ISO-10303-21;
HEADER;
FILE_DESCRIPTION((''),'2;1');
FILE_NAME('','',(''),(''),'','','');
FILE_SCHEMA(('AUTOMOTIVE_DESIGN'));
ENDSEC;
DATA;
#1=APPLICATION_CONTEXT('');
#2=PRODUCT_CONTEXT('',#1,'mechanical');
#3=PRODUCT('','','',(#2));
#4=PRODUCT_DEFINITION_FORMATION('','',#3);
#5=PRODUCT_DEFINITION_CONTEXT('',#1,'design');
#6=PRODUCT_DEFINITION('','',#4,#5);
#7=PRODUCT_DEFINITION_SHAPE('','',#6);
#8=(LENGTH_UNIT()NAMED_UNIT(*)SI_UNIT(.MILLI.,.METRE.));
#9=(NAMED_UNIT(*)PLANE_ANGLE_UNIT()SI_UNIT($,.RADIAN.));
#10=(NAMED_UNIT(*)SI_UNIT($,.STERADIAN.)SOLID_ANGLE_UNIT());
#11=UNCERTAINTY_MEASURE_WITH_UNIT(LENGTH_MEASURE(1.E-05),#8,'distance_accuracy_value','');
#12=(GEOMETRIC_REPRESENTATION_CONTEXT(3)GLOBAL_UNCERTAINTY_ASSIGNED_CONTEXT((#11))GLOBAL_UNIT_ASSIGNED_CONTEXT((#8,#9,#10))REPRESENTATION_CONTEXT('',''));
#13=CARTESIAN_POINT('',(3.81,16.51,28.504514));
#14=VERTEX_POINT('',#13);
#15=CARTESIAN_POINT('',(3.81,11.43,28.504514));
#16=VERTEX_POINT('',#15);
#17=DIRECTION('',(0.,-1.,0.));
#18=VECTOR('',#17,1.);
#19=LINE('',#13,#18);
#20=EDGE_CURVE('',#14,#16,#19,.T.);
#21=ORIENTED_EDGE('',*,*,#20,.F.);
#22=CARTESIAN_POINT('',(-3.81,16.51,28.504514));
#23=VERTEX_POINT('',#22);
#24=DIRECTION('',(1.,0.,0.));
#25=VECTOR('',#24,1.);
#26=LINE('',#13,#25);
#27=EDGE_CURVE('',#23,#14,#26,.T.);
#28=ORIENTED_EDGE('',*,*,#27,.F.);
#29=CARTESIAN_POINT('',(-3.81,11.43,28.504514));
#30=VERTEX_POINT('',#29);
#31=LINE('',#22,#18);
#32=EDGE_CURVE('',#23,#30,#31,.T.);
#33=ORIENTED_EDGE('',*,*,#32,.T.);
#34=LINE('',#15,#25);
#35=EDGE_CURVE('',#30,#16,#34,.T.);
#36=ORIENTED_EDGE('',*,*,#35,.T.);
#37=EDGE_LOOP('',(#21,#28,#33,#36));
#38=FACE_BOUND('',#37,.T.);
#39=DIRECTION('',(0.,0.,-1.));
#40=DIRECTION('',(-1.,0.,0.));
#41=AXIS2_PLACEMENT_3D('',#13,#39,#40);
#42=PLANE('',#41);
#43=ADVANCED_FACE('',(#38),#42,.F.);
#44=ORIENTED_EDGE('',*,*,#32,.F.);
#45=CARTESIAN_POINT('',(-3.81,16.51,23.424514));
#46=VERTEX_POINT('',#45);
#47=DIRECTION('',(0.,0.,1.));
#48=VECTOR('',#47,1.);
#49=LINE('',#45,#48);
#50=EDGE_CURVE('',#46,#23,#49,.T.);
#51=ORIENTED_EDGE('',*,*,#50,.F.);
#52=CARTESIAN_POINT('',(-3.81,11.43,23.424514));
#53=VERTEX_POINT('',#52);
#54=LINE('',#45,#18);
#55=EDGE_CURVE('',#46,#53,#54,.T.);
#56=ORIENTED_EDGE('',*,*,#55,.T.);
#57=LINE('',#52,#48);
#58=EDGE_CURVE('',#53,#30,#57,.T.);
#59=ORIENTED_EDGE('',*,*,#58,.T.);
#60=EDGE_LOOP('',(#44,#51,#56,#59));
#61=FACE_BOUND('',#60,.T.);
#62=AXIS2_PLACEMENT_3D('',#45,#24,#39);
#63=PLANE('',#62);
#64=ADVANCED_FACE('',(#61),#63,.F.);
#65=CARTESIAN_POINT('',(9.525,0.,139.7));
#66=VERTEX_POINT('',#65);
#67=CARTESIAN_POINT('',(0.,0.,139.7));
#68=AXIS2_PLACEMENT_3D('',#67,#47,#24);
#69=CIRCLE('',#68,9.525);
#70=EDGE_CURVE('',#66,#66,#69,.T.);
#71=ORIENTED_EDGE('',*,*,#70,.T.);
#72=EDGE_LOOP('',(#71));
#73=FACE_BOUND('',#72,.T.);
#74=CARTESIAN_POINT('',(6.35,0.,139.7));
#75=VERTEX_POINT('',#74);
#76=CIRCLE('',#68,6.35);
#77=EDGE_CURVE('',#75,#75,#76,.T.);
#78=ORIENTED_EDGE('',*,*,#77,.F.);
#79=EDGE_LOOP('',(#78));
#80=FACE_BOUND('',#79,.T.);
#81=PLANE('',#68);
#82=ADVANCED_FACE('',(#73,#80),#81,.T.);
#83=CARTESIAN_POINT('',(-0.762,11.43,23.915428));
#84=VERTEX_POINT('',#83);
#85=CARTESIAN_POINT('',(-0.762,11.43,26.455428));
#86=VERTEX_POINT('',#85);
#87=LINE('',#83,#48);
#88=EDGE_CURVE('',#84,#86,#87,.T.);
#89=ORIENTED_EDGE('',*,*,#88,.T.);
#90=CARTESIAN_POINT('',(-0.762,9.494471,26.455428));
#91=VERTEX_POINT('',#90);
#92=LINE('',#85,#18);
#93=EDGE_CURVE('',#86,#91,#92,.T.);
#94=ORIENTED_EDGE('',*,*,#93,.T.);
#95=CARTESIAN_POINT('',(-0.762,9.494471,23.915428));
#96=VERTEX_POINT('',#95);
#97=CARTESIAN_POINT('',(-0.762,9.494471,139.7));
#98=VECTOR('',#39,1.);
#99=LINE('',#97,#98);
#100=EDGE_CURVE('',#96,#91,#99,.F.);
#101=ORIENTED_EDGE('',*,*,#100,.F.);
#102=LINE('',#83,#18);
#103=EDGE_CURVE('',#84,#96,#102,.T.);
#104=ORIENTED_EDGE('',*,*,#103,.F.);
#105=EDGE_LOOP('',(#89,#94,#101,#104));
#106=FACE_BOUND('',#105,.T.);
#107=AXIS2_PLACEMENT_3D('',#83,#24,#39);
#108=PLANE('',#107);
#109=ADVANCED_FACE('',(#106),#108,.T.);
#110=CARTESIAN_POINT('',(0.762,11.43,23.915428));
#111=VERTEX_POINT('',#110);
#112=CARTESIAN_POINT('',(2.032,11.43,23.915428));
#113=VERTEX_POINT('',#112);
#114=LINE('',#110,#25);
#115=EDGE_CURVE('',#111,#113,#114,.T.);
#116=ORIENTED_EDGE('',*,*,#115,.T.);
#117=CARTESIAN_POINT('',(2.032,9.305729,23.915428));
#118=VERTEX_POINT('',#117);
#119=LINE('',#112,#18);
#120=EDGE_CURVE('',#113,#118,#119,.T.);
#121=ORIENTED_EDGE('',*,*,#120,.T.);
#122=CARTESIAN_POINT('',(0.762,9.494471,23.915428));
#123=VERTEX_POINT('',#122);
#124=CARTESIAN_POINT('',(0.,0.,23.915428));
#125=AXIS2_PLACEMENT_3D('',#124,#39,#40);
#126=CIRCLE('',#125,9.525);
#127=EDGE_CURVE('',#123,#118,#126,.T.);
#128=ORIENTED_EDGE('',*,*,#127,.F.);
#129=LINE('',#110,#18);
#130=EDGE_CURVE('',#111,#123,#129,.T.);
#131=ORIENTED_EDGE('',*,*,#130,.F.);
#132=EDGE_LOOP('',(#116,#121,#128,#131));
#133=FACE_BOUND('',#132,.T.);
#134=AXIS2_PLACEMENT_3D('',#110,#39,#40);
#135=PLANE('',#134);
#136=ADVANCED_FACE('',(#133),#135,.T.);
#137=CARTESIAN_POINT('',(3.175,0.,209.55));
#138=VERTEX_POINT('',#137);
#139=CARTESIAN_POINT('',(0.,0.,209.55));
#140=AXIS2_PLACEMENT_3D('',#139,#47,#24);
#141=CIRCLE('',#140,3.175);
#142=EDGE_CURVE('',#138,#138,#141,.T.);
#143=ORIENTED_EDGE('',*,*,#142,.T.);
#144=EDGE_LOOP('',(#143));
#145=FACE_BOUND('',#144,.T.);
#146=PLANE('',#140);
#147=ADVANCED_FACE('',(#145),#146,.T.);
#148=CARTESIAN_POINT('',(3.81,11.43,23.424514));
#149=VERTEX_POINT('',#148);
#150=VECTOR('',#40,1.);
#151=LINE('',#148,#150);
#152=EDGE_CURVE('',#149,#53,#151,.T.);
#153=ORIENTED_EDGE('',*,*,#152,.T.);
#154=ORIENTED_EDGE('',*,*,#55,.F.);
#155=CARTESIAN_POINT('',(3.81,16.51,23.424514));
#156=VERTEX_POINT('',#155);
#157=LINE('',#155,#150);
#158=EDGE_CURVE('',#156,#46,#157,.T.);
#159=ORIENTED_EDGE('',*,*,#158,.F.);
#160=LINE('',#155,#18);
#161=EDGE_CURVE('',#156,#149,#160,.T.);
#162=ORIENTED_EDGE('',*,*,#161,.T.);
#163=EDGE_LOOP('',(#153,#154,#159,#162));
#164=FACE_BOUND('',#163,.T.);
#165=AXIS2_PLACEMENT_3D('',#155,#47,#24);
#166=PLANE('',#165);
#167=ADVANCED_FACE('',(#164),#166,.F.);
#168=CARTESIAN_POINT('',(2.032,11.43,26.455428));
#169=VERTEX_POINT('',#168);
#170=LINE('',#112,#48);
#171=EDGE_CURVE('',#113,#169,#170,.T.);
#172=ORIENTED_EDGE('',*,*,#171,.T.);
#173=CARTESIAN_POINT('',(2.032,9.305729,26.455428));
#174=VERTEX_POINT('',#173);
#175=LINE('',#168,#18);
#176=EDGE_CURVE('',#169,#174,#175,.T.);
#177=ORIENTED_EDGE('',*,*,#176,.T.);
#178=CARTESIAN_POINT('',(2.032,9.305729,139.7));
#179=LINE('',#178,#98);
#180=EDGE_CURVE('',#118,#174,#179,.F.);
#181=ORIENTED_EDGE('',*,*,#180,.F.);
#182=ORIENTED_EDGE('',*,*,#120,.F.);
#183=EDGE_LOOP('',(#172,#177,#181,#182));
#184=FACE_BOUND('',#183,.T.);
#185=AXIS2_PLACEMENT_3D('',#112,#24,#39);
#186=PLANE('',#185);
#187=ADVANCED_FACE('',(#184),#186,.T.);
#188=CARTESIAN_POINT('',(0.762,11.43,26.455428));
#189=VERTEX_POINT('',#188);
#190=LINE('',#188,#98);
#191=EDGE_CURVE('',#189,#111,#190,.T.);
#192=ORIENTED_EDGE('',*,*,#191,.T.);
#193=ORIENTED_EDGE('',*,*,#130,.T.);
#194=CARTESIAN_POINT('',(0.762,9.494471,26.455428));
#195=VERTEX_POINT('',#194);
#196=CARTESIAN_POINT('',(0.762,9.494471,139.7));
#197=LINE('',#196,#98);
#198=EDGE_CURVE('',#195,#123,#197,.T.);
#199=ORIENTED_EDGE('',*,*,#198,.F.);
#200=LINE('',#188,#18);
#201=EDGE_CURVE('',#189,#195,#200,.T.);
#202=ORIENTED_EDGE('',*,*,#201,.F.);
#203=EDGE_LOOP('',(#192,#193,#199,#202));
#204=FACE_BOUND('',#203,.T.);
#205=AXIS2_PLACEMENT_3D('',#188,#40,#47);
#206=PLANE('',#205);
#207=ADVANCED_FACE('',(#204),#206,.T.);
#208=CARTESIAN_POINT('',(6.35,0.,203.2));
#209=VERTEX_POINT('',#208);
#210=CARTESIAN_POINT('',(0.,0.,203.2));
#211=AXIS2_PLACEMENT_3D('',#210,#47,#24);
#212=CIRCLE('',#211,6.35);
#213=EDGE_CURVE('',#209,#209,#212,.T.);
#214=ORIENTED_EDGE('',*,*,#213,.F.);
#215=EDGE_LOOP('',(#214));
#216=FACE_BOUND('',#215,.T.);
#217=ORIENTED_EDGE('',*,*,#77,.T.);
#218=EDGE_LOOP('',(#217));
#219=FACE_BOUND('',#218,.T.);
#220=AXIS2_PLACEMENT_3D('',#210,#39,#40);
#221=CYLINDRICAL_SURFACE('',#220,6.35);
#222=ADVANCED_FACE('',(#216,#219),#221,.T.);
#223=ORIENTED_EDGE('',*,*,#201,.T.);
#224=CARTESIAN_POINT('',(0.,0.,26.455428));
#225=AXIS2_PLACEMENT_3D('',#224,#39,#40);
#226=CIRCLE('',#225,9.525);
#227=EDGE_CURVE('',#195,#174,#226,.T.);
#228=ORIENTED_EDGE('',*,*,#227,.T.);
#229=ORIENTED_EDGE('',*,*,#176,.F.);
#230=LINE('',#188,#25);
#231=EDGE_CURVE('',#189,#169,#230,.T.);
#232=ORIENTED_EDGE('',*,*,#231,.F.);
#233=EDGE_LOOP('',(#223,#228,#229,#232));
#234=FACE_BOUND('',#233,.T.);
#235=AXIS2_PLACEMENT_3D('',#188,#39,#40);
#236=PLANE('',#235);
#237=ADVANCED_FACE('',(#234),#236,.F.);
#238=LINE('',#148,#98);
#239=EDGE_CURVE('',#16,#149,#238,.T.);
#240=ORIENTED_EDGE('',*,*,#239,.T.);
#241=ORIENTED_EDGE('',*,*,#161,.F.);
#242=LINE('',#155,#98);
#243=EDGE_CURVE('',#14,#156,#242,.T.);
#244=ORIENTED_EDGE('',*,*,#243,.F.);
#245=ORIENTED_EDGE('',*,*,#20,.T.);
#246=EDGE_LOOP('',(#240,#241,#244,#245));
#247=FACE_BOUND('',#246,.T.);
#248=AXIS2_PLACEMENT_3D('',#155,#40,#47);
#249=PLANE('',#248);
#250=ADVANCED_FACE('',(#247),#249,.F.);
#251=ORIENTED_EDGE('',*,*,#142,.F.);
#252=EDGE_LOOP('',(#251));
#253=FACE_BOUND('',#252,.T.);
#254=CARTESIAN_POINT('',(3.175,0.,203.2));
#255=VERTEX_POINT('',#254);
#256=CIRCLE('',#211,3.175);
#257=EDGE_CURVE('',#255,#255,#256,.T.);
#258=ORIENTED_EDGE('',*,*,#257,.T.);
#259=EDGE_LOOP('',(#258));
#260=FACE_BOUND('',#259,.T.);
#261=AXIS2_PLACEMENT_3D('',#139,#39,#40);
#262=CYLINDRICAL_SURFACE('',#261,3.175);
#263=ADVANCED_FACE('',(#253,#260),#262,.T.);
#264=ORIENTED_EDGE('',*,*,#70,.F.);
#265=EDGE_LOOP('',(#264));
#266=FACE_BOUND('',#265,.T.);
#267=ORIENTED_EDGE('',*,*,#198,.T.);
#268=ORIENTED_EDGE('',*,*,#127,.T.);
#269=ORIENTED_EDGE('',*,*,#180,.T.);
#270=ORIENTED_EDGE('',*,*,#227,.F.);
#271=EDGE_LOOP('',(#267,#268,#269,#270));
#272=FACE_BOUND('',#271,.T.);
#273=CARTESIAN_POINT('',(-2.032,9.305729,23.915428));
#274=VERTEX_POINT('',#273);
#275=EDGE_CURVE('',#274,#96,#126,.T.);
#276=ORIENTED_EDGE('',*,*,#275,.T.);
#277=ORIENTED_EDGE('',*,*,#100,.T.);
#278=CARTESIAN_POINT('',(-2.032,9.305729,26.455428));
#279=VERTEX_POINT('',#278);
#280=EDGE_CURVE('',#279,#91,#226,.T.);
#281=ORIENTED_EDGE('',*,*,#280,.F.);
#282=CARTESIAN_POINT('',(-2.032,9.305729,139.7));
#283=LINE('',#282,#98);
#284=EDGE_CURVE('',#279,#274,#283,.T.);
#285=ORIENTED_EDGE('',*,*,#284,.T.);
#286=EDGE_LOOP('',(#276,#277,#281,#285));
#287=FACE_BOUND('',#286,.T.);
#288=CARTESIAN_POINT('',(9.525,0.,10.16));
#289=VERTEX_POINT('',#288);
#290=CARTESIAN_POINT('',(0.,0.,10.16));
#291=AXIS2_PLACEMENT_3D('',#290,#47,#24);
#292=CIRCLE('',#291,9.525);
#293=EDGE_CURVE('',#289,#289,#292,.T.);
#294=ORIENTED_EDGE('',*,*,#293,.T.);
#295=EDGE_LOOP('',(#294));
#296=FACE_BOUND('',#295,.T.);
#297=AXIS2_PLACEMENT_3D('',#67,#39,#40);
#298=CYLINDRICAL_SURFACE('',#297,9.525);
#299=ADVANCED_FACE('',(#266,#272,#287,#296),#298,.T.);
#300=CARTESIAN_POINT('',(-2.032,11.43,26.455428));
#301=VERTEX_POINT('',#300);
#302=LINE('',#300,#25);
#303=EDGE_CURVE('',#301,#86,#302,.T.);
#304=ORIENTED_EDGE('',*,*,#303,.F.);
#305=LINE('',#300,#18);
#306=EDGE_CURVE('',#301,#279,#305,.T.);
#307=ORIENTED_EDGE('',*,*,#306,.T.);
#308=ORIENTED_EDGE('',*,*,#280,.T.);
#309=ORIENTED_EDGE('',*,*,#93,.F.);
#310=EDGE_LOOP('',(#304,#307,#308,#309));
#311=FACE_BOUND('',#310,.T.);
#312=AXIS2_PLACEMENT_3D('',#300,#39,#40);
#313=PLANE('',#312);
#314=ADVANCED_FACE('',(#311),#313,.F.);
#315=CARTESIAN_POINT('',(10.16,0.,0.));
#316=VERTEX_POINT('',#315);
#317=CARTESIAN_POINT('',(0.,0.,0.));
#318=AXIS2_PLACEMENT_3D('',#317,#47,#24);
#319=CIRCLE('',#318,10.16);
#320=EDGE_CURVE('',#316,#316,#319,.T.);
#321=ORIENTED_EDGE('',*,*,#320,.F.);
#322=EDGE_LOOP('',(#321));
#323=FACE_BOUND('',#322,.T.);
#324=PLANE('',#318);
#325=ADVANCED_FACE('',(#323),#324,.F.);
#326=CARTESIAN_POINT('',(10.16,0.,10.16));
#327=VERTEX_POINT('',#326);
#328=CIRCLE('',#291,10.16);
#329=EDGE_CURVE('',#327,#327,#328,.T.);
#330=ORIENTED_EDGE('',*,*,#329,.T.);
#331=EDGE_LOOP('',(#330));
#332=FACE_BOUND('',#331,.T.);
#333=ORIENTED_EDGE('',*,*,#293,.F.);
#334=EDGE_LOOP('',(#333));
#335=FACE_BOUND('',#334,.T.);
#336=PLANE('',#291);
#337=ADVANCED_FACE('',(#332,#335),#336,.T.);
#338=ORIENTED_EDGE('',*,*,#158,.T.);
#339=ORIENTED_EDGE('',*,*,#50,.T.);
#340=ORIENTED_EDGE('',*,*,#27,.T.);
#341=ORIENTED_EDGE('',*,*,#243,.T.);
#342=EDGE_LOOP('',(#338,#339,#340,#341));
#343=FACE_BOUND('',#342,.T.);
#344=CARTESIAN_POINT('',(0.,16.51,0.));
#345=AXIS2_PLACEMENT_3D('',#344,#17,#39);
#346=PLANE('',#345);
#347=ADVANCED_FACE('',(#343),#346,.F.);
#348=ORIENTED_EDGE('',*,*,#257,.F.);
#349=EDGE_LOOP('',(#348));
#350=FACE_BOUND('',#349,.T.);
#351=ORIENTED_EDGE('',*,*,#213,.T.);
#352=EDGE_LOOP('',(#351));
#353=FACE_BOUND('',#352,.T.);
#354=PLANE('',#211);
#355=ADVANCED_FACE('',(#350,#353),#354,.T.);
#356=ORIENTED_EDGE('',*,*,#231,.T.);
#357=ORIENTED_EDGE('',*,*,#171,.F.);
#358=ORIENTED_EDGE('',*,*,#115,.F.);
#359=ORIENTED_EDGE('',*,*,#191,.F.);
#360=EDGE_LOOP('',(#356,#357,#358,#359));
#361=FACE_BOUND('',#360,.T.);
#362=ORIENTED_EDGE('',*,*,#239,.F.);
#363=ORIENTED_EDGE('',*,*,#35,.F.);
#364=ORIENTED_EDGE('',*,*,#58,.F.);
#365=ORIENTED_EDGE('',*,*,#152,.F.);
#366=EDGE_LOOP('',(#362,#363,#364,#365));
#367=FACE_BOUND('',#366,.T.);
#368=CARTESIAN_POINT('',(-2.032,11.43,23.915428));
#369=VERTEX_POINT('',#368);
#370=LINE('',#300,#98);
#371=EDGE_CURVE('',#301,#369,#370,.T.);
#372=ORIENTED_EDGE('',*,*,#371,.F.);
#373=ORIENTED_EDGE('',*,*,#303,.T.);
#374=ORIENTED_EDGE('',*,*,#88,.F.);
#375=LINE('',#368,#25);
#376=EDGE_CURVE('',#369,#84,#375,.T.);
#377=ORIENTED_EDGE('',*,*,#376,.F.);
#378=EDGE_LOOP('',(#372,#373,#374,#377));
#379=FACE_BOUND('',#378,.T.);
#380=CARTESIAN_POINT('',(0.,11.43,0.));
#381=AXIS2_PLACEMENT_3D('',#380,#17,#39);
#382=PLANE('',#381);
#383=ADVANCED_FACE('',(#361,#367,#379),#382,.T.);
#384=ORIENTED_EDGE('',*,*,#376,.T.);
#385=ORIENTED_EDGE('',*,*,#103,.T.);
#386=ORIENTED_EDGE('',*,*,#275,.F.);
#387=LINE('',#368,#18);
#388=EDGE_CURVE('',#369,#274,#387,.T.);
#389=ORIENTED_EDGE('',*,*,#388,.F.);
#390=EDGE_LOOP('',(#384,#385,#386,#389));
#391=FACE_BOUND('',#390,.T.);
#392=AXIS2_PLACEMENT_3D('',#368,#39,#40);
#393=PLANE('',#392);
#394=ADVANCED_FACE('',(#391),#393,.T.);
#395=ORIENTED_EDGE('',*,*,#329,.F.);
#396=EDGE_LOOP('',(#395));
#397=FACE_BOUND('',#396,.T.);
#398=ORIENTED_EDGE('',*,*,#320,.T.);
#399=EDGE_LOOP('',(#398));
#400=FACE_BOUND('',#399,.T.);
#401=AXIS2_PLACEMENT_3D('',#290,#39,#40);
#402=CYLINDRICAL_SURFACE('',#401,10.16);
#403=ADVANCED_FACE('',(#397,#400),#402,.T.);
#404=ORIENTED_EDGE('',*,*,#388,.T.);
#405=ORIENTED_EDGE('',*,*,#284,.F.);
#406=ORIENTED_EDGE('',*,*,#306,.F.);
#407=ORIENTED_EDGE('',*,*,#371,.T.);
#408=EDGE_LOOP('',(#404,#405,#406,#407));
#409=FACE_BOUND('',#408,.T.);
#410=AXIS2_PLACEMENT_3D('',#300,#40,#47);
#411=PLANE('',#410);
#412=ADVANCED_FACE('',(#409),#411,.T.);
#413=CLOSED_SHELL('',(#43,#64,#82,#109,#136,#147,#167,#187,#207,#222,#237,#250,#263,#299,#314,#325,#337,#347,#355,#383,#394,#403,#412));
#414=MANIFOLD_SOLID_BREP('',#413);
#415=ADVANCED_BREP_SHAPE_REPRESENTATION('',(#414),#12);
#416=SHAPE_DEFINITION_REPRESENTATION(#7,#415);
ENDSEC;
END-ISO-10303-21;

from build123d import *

# Parameters (mm, degrees)
SKETCH2_R            = 10.16
BOSS_EXTRUDE1_DEPTH  = 10.16
SKETCH3_R            = 9.525
BOSS_EXTRUDE2_DEPTH  = 129.54
SKETCH4_R            = 6.35
BOSS_EXTRUDE4_DEPTH  = 63.5
SKETCH5_R            = 3.175
BOSS_EXTRUDE5_DEPTH  = 6.35
SKETCH8_W            = 1.27
SKETCH8_H            = 2.54
EXTRUDE_THIN1_DEPTH  = 8.89
SKETCH9_W            = 7.62
SKETCH9_H            = 5.08
BOSS_EXTRUDE14_DEPTH = 5.08


with BuildPart() as part:
    # Sketch2 → Boss-Extrude1 (new body)
    with BuildSketch(Plane.XY):
        Circle(SKETCH2_R)
    extrude(amount=BOSS_EXTRUDE1_DEPTH)

    # Sketch3 → Boss-Extrude2 (add)
    with BuildSketch(Plane.XY.offset(10.16)):
        Circle(SKETCH3_R)
    extrude(amount=BOSS_EXTRUDE2_DEPTH)

    # Sketch4 → Boss-Extrude4 (add)
    with BuildSketch(Plane.XY.offset(139.7)):
        Circle(SKETCH4_R)
    extrude(amount=BOSS_EXTRUDE4_DEPTH)

    # Sketch5 → Boss-Extrude5 (add)
    with BuildSketch(Plane.XY.offset(203.2)):
        Circle(SKETCH5_R)
    extrude(amount=BOSS_EXTRUDE5_DEPTH)

    # Sketch8 → Extrude-Thin1 (add)
    with BuildSketch(Plane(origin=(0, 2.54, 0), x_dir=(1, 0, 0), z_dir=(0, 1, 0))):
        with Locations((-1.397, -25.185428327)):
            Rectangle(SKETCH8_W, SKETCH8_H)
        with Locations((1.397, -25.185428327)):
            Rectangle(SKETCH8_W, SKETCH8_H)
    extrude(amount=EXTRUDE_THIN1_DEPTH)

    # Sketch9 → Boss-Extrude14 (add)
    with BuildSketch(Plane(origin=(0, 11.43, 0), x_dir=(1, 0, 0), z_dir=(0, 1, 0))):
        with Locations((0, -25.964513942)):
            Rectangle(SKETCH9_W, SKETCH9_H)
    extrude(amount=BOSS_EXTRUDE14_DEPTH)


solid = part.part
